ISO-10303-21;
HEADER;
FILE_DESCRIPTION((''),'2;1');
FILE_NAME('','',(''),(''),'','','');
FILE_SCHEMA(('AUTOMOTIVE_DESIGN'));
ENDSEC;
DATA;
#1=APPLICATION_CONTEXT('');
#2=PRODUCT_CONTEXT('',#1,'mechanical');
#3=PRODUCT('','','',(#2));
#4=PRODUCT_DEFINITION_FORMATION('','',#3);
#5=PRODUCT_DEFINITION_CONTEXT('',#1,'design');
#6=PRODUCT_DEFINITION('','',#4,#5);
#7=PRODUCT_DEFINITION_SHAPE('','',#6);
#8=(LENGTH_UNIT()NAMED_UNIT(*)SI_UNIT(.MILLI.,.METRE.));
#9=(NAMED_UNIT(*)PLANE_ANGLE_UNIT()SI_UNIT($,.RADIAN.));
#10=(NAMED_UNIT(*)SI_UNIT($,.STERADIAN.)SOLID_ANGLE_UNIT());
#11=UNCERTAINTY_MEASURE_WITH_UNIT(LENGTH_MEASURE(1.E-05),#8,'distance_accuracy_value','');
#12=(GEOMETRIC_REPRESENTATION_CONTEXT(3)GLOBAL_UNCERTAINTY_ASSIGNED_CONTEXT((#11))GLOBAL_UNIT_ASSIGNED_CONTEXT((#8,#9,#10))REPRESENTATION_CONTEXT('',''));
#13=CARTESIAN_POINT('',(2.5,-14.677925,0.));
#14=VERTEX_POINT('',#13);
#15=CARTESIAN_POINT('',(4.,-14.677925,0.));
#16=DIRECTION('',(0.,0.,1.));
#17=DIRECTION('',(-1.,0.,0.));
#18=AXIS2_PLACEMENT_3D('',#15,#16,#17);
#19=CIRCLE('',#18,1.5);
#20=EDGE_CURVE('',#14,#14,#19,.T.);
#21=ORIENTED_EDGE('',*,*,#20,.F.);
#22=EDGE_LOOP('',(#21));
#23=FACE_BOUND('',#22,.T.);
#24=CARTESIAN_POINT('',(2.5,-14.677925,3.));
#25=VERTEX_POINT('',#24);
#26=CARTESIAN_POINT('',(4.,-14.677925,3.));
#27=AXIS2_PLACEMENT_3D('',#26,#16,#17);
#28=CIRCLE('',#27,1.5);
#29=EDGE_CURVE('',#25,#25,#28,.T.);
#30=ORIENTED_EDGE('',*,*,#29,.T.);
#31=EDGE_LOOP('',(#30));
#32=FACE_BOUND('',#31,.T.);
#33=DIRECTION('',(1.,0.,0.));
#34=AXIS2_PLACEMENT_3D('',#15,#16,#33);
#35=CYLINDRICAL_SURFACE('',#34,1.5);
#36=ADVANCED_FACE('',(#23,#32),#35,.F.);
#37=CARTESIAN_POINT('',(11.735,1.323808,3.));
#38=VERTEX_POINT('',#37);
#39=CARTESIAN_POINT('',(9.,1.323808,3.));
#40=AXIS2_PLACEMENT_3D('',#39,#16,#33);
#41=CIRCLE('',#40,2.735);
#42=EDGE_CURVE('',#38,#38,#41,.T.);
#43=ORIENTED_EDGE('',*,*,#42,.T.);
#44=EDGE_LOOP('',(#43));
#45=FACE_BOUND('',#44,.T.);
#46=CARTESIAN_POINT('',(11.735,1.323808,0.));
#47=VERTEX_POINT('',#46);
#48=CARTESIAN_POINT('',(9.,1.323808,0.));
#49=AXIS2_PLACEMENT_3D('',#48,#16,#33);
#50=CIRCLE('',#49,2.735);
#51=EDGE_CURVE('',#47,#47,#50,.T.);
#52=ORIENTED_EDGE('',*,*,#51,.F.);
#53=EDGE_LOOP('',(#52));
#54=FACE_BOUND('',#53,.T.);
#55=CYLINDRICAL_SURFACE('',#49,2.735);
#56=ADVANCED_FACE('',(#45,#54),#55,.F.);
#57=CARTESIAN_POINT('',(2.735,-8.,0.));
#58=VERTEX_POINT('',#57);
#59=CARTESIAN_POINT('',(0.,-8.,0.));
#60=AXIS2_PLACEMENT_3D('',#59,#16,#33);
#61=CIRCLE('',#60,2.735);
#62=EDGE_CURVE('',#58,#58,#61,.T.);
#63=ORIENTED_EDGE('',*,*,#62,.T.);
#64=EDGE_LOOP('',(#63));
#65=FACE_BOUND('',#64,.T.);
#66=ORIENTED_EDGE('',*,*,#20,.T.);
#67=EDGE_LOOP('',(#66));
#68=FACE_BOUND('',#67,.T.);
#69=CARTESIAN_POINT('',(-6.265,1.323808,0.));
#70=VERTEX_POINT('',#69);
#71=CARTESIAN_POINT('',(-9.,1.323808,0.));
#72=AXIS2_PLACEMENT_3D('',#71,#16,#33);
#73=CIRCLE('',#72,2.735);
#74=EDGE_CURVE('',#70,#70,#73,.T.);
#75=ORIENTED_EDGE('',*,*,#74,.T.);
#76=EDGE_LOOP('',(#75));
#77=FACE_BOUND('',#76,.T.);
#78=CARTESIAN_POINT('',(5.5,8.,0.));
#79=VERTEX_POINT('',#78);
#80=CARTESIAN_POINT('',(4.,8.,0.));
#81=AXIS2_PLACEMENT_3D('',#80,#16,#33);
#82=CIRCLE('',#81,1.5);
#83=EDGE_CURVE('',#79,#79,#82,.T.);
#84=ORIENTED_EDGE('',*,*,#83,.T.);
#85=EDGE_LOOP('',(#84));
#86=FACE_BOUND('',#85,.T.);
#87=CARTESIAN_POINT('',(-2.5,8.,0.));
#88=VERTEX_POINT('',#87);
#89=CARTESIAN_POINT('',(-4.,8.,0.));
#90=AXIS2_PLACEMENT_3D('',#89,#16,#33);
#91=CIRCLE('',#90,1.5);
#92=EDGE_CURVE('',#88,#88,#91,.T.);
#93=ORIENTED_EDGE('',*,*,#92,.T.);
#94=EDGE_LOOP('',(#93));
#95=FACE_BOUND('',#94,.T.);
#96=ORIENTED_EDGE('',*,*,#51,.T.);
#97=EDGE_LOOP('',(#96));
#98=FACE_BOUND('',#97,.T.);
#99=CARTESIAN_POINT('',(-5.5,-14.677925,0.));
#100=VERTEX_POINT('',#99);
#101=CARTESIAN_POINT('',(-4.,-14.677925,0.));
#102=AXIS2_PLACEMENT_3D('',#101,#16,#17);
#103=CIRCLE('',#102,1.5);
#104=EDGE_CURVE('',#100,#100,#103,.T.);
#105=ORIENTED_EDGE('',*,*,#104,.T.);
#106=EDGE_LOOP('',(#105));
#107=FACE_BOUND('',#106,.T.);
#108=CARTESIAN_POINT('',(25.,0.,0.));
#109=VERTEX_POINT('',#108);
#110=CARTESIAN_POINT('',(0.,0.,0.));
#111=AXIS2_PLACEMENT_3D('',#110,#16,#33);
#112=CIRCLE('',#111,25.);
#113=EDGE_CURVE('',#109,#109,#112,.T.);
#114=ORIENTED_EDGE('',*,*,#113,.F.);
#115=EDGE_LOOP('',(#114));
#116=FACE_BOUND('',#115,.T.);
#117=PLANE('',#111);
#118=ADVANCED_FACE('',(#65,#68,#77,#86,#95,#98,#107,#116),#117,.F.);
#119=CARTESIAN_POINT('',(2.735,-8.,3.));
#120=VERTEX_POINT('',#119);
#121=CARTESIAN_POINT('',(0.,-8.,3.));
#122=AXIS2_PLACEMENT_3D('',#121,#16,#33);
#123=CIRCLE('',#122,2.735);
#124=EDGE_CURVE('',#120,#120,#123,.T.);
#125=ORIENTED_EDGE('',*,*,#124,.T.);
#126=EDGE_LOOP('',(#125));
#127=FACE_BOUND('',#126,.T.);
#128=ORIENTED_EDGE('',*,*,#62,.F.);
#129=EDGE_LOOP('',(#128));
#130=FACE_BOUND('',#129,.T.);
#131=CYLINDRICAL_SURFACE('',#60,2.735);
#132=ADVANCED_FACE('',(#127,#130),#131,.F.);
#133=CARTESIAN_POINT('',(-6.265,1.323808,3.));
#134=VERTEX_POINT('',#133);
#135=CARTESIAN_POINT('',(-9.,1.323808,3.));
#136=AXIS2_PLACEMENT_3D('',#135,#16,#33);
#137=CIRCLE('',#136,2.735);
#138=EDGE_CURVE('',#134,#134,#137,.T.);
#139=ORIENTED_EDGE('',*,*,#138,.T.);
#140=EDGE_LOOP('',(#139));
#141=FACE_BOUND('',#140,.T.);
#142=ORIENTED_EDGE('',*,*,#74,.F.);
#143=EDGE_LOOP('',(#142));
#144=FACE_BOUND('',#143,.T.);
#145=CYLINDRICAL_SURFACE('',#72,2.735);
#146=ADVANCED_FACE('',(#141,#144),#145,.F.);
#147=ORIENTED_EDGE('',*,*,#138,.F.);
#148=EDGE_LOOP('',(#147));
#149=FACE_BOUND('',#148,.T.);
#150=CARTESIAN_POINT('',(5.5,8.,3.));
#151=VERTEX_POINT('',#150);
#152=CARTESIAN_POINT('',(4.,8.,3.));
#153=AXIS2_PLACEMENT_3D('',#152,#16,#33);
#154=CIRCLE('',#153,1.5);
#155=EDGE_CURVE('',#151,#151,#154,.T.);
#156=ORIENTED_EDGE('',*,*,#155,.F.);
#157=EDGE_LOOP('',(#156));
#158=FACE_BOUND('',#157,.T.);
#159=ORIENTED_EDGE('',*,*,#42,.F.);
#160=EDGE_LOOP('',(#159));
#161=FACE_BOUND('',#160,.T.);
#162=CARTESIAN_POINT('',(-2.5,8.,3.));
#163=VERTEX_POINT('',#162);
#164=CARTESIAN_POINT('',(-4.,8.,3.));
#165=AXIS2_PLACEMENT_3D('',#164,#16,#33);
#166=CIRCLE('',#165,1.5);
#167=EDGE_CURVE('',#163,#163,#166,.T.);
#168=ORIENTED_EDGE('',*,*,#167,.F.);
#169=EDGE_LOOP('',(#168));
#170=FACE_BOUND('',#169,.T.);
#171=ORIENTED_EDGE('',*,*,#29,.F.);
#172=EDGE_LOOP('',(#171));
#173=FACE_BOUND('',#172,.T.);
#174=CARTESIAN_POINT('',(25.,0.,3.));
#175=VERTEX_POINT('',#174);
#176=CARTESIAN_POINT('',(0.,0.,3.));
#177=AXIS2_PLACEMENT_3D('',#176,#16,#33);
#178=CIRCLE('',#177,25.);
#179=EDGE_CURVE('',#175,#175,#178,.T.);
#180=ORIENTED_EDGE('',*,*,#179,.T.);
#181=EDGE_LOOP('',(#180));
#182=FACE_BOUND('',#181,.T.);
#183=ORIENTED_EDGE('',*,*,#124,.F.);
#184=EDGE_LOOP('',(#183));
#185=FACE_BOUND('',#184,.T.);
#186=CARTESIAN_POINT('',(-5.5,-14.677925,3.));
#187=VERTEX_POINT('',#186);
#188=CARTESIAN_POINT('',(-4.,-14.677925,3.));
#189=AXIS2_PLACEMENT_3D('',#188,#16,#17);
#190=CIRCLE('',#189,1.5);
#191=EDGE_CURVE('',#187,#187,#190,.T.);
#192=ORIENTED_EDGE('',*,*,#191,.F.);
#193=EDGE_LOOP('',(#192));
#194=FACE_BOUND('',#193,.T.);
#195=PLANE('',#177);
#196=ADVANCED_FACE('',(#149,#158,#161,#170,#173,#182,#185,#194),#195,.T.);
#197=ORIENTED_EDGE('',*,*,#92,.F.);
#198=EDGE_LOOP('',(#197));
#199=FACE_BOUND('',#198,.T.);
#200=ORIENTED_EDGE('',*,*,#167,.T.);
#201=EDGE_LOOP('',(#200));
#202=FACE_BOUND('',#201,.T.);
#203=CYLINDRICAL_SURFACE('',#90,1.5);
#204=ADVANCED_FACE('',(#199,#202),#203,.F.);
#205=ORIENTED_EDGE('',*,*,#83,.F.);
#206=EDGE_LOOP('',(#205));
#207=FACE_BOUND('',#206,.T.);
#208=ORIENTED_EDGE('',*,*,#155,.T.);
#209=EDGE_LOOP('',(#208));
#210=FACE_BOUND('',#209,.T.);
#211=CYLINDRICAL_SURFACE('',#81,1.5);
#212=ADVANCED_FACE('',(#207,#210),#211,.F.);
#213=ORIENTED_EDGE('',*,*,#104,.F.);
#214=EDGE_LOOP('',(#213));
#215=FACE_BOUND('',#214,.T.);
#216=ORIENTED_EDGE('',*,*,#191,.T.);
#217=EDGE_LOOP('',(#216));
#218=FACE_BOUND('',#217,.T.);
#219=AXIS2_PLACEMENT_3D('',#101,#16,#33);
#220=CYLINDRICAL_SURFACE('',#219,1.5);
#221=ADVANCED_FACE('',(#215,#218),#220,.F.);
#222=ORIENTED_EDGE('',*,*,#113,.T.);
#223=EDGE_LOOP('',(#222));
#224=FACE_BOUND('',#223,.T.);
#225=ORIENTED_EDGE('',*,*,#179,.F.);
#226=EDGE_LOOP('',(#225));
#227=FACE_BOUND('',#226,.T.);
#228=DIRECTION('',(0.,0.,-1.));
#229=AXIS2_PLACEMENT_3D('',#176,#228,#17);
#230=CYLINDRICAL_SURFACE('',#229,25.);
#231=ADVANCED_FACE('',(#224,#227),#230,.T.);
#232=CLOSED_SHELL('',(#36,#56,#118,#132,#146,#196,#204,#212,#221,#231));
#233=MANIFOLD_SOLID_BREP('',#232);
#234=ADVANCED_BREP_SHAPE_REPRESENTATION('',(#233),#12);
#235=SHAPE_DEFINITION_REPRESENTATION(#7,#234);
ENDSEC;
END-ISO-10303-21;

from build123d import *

# Parameters (mm, degrees)
SKETCH1_R           = 25
BOSS_EXTRUDE1_DEPTH = 3
SKETCH3_R           = 1.5
SKETCH3_R_2         = 2.735
CUT_EXTRUDE1_DEPTH  = 3


with BuildPart() as part:
    # Sketch1 → Boss-Extrude1 (new body)
    with BuildSketch(Plane.XY):
        Circle(SKETCH1_R)
    extrude(amount=BOSS_EXTRUDE1_DEPTH)

    # Sketch3 → Cut-Extrude1 (cut)
    with BuildSketch(Plane.XY.offset(3)):
        with Locations((-4, 8)):
            Circle(SKETCH3_R)
        with Locations((4, 8)):
            Circle(SKETCH3_R)
        with Locations((4, -14.677925359)):
            Circle(SKETCH3_R)
        with Locations((-4, -14.677925359)):
            Circle(SKETCH3_R)
        with Locations((0, -8)):
            Circle(SKETCH3_R_2)
        with Locations((9, 1.323807579)):
            Circle(SKETCH3_R_2)
        with Locations((-9, 1.323807579)):
            Circle(SKETCH3_R_2)
    extrude(amount=-CUT_EXTRUDE1_DEPTH, mode=Mode.SUBTRACT)


solid = part.part
